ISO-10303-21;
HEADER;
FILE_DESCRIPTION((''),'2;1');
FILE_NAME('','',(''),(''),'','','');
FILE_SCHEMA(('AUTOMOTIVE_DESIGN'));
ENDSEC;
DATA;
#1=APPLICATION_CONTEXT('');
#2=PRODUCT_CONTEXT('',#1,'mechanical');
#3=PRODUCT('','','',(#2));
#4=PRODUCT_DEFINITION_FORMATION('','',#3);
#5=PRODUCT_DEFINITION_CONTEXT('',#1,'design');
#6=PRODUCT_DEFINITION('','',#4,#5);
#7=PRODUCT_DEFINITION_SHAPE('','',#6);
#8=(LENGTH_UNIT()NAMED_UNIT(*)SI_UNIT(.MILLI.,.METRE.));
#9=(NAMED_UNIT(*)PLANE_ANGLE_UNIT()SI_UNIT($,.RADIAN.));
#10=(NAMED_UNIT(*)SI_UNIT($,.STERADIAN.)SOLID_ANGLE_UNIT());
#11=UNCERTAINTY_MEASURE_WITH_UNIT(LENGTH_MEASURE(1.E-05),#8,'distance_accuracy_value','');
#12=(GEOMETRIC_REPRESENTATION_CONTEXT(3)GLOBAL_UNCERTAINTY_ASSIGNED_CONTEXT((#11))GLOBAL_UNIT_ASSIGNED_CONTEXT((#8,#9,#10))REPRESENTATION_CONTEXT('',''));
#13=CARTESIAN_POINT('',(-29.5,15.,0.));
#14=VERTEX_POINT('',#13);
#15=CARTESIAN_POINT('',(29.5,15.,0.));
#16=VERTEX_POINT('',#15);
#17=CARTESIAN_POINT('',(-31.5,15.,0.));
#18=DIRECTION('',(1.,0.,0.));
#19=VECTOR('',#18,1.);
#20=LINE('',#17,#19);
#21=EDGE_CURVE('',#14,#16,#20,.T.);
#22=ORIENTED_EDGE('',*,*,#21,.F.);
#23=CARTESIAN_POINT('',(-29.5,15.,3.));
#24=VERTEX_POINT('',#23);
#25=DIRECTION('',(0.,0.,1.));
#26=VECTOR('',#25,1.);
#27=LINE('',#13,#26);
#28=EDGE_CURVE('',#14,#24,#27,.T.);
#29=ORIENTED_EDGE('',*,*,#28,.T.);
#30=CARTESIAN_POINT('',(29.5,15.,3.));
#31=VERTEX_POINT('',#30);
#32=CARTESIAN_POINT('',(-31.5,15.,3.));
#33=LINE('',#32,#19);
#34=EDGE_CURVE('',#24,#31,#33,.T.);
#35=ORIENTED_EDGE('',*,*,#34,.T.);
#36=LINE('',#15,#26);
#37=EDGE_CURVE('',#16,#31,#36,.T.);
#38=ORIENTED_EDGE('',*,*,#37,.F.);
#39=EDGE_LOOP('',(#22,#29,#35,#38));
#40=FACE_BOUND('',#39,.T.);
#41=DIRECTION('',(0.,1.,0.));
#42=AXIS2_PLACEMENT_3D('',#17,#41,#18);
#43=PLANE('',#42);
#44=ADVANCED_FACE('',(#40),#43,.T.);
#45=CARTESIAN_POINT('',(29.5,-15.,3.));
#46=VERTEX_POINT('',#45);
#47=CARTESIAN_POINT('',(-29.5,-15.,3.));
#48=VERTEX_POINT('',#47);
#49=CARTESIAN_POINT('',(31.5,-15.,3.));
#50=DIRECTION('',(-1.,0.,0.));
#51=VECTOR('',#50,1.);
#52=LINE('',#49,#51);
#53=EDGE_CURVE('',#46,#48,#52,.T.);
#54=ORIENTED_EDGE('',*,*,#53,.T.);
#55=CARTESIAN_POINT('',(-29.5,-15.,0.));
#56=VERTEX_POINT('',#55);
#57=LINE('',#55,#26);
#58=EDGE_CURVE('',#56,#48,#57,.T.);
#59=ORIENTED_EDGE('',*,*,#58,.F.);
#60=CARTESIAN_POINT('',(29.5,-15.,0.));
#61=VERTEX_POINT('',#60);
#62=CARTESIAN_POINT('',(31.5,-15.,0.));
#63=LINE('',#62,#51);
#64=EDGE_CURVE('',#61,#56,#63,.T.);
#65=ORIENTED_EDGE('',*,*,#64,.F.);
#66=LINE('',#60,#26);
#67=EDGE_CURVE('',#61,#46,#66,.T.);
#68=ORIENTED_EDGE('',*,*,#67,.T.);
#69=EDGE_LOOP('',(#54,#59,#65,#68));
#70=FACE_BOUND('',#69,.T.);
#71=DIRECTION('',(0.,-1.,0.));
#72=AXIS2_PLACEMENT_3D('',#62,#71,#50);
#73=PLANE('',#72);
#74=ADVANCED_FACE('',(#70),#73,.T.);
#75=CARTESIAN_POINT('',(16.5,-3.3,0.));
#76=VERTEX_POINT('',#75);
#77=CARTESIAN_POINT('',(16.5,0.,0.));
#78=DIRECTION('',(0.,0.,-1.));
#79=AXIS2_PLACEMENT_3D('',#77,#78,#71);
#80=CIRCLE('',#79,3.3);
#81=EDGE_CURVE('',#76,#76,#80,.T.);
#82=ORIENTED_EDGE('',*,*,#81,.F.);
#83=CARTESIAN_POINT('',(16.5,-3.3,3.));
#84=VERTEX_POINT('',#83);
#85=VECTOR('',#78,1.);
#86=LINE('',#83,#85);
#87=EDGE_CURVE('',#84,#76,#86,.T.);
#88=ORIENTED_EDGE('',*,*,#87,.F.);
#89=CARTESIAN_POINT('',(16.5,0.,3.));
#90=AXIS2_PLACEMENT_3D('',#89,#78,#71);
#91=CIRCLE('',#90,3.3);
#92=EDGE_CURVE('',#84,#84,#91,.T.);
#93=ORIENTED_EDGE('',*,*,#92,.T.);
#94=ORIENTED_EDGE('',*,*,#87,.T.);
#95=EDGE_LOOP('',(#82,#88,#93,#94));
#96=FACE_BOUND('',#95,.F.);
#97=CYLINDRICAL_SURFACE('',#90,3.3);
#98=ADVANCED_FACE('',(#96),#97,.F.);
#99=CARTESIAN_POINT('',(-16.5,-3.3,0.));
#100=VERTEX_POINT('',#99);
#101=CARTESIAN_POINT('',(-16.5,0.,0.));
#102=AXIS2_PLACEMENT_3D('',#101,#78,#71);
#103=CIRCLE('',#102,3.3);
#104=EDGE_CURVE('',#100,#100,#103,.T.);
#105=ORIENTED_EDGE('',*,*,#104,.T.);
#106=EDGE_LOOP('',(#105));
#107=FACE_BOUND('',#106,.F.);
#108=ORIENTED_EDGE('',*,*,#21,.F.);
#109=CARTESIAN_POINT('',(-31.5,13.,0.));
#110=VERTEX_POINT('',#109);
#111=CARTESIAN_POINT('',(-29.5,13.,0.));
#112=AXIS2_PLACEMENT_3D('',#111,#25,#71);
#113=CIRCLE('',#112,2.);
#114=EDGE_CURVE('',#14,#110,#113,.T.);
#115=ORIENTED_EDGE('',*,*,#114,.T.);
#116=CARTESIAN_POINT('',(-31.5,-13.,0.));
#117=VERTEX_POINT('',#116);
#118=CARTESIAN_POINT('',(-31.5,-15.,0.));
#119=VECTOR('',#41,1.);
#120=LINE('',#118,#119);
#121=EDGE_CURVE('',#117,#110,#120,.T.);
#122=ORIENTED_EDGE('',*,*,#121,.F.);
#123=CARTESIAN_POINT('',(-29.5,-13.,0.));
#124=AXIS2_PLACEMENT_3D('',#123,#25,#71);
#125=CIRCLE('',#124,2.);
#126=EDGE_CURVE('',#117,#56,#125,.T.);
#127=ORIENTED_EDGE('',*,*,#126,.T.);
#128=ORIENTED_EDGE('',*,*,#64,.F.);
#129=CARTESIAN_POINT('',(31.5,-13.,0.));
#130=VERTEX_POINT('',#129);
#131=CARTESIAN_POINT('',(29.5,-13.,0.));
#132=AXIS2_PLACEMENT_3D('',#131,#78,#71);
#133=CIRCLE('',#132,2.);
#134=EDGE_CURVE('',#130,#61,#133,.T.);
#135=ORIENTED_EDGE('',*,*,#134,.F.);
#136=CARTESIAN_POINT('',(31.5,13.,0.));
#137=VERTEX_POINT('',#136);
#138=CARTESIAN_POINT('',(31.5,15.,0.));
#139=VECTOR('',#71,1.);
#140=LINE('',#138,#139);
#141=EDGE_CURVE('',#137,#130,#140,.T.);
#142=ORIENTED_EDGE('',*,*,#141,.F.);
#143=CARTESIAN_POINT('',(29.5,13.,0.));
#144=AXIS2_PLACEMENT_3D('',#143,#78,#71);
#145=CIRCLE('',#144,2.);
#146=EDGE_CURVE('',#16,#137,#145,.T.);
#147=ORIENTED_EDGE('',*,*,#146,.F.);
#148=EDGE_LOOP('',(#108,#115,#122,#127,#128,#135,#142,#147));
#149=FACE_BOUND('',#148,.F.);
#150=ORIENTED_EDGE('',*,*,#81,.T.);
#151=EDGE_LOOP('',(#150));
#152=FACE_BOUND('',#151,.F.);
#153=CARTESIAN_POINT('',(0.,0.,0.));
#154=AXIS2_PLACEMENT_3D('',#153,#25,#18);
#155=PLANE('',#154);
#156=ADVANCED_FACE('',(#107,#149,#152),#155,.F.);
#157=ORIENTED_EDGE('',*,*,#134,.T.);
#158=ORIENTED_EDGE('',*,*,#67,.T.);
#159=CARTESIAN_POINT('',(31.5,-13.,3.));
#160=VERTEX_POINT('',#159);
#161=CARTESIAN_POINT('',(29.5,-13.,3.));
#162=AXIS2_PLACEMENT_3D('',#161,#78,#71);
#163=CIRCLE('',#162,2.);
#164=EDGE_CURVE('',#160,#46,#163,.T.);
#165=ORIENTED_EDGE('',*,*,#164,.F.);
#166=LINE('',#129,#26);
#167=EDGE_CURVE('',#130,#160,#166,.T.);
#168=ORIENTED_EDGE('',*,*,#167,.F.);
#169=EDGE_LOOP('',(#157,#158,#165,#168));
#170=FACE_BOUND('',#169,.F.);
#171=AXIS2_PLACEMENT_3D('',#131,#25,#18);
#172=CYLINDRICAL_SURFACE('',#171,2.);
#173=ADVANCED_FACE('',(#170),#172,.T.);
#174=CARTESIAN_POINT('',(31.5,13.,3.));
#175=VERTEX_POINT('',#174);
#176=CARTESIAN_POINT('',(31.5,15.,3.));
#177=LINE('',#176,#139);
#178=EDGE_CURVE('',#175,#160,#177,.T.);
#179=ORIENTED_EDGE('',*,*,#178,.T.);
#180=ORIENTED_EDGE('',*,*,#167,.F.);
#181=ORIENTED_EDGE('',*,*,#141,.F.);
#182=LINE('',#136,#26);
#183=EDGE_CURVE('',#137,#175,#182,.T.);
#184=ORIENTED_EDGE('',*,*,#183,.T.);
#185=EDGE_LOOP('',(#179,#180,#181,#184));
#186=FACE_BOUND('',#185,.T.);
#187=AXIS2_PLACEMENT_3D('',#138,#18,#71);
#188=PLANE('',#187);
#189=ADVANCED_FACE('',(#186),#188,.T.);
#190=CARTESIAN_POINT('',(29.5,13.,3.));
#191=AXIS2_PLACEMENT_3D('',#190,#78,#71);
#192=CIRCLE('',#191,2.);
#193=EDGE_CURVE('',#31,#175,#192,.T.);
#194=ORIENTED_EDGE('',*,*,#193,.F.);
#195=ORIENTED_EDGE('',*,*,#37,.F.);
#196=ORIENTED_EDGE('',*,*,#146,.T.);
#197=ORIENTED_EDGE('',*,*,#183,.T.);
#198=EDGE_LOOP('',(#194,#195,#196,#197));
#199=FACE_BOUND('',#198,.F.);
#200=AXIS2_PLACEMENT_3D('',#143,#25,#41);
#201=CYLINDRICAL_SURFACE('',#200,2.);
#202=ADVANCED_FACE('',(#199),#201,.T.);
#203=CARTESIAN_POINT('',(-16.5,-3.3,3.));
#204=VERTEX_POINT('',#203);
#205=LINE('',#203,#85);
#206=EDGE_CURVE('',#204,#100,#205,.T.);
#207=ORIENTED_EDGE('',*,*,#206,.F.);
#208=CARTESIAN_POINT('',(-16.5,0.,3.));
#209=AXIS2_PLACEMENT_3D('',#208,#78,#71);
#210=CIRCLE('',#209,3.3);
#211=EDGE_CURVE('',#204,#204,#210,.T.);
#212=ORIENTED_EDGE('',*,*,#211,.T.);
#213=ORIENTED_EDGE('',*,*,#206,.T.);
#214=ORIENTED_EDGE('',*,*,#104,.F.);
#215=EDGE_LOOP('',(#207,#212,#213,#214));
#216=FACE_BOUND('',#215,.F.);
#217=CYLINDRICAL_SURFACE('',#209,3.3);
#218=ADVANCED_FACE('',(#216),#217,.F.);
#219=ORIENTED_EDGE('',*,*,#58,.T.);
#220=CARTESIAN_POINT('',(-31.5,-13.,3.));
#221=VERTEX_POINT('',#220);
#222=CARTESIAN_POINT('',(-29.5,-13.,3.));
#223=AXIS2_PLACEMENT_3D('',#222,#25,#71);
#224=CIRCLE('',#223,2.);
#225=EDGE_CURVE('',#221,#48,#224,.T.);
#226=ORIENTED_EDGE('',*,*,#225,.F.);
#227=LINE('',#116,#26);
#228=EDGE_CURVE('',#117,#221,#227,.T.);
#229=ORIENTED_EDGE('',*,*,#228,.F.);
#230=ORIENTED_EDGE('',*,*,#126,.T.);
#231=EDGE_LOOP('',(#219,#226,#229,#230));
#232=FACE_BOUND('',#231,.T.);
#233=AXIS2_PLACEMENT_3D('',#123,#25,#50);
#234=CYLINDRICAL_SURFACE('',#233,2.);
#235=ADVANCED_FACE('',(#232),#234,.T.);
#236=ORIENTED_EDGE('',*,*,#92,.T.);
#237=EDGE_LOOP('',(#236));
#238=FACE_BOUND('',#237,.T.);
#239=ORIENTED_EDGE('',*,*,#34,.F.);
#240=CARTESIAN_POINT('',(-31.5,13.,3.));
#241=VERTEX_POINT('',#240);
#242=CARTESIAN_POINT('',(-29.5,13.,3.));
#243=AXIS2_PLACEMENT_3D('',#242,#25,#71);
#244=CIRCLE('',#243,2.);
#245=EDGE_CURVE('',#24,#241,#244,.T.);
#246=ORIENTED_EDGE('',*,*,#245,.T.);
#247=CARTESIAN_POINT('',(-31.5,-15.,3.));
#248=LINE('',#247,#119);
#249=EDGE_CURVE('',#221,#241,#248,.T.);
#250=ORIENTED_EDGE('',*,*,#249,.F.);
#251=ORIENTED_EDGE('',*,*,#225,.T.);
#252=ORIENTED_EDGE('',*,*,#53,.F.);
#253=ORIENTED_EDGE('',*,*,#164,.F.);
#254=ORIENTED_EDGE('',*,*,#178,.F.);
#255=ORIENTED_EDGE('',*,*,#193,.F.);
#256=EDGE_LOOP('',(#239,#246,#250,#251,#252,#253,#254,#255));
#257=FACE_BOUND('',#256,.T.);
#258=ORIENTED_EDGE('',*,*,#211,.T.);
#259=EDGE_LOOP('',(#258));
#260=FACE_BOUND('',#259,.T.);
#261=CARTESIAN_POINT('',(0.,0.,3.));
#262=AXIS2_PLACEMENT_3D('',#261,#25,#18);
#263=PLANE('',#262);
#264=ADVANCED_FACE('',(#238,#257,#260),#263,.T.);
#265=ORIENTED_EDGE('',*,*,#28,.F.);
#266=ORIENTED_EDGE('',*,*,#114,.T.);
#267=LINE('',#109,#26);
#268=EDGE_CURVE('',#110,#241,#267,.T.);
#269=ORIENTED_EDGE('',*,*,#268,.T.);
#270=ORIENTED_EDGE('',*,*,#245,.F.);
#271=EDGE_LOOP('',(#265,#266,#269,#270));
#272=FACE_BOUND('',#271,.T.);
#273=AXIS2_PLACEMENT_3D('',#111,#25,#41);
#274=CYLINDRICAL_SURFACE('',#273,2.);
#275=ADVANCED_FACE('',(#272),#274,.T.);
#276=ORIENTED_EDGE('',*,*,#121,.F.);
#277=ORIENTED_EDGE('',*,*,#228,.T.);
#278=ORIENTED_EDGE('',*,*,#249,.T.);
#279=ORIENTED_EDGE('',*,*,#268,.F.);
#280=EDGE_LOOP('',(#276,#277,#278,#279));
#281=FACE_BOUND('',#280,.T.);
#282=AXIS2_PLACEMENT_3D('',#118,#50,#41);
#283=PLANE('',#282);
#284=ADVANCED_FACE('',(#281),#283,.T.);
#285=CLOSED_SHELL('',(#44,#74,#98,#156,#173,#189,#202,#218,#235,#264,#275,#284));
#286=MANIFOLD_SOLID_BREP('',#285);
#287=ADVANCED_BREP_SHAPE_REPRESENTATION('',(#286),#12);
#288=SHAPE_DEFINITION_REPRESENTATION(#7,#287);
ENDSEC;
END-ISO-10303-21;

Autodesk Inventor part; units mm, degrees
ref_plane "YZ Plane" through (0, 0, 0) normal (1, 0, 0) x (0, 1, 0)
ref_plane "XZ Plane" through (0, 0, 0) normal (0, 1, 0) x (-1, 0, 0)
ref_plane "XY Plane" through (0, 0, 0) normal (0, 0, 1) x (1, 0, 0)
sketch "スケッチ2" plane through (0, 0, 0) normal (0, 0, 1) x (1, 0, 0)
  line L0 (-31.5, 15) -> (31.5, 15)
  line L1 (31.5, 15) -> (31.5, -15)
  line L2 (31.5, -15) -> (-31.5, -15)
  line L3 (-31.5, -15) -> (-31.5, 15)
  line L4 (0, 21) -> (0, -21) construction
  line L5 (-44.1, 0) -> (44.1, 0) construction
  point P0 (0, 0)
  dimension "d1" = 63
  dimension "d2" = 30
  dimension "d3" = 15
  dimension "d4" = 31.5
extrude "押し出し1" add sketch "スケッチ2" along normal blind 3
sketch "スケッチ3" plane through (0, 0, 3) normal (0, 0, 1) x (1, 0, 0)
  line L0 (-31.5, -15) -> (31.5, -15) construction
  line L1 (31.5, -15) -> (31.5, 15) construction
  line L2 (31.5, 15) -> (-31.5, 15) construction
  line L3 (-31.5, 15) -> (-31.5, -15) construction
  line L4 (-44.1, 0) -> (44.1, 0) construction
  point P0 (0, 0)
  point P1 (-16.5, 0)
  point P2 (16.5, 0)
  dimension "d7" = 15
  dimension "d8" = 15
hole "穴1" at (-16.5, 0, 3) at (16.5, 0, 3) direction (0, 0, -1) diameter 6.6 end through all
fillet "フィレット1" radius 2 4 edges at (-31.5, 15, 1.5) (31.5, 15, 1.5) (31.5, -15, 1.5) (-31.5, -15, 1.5)
equation "\"d3\" = 0.5 * d2"
equation "\"d4\" = 0.5 * d1"
properties part number "rocker_bogie_mount"
